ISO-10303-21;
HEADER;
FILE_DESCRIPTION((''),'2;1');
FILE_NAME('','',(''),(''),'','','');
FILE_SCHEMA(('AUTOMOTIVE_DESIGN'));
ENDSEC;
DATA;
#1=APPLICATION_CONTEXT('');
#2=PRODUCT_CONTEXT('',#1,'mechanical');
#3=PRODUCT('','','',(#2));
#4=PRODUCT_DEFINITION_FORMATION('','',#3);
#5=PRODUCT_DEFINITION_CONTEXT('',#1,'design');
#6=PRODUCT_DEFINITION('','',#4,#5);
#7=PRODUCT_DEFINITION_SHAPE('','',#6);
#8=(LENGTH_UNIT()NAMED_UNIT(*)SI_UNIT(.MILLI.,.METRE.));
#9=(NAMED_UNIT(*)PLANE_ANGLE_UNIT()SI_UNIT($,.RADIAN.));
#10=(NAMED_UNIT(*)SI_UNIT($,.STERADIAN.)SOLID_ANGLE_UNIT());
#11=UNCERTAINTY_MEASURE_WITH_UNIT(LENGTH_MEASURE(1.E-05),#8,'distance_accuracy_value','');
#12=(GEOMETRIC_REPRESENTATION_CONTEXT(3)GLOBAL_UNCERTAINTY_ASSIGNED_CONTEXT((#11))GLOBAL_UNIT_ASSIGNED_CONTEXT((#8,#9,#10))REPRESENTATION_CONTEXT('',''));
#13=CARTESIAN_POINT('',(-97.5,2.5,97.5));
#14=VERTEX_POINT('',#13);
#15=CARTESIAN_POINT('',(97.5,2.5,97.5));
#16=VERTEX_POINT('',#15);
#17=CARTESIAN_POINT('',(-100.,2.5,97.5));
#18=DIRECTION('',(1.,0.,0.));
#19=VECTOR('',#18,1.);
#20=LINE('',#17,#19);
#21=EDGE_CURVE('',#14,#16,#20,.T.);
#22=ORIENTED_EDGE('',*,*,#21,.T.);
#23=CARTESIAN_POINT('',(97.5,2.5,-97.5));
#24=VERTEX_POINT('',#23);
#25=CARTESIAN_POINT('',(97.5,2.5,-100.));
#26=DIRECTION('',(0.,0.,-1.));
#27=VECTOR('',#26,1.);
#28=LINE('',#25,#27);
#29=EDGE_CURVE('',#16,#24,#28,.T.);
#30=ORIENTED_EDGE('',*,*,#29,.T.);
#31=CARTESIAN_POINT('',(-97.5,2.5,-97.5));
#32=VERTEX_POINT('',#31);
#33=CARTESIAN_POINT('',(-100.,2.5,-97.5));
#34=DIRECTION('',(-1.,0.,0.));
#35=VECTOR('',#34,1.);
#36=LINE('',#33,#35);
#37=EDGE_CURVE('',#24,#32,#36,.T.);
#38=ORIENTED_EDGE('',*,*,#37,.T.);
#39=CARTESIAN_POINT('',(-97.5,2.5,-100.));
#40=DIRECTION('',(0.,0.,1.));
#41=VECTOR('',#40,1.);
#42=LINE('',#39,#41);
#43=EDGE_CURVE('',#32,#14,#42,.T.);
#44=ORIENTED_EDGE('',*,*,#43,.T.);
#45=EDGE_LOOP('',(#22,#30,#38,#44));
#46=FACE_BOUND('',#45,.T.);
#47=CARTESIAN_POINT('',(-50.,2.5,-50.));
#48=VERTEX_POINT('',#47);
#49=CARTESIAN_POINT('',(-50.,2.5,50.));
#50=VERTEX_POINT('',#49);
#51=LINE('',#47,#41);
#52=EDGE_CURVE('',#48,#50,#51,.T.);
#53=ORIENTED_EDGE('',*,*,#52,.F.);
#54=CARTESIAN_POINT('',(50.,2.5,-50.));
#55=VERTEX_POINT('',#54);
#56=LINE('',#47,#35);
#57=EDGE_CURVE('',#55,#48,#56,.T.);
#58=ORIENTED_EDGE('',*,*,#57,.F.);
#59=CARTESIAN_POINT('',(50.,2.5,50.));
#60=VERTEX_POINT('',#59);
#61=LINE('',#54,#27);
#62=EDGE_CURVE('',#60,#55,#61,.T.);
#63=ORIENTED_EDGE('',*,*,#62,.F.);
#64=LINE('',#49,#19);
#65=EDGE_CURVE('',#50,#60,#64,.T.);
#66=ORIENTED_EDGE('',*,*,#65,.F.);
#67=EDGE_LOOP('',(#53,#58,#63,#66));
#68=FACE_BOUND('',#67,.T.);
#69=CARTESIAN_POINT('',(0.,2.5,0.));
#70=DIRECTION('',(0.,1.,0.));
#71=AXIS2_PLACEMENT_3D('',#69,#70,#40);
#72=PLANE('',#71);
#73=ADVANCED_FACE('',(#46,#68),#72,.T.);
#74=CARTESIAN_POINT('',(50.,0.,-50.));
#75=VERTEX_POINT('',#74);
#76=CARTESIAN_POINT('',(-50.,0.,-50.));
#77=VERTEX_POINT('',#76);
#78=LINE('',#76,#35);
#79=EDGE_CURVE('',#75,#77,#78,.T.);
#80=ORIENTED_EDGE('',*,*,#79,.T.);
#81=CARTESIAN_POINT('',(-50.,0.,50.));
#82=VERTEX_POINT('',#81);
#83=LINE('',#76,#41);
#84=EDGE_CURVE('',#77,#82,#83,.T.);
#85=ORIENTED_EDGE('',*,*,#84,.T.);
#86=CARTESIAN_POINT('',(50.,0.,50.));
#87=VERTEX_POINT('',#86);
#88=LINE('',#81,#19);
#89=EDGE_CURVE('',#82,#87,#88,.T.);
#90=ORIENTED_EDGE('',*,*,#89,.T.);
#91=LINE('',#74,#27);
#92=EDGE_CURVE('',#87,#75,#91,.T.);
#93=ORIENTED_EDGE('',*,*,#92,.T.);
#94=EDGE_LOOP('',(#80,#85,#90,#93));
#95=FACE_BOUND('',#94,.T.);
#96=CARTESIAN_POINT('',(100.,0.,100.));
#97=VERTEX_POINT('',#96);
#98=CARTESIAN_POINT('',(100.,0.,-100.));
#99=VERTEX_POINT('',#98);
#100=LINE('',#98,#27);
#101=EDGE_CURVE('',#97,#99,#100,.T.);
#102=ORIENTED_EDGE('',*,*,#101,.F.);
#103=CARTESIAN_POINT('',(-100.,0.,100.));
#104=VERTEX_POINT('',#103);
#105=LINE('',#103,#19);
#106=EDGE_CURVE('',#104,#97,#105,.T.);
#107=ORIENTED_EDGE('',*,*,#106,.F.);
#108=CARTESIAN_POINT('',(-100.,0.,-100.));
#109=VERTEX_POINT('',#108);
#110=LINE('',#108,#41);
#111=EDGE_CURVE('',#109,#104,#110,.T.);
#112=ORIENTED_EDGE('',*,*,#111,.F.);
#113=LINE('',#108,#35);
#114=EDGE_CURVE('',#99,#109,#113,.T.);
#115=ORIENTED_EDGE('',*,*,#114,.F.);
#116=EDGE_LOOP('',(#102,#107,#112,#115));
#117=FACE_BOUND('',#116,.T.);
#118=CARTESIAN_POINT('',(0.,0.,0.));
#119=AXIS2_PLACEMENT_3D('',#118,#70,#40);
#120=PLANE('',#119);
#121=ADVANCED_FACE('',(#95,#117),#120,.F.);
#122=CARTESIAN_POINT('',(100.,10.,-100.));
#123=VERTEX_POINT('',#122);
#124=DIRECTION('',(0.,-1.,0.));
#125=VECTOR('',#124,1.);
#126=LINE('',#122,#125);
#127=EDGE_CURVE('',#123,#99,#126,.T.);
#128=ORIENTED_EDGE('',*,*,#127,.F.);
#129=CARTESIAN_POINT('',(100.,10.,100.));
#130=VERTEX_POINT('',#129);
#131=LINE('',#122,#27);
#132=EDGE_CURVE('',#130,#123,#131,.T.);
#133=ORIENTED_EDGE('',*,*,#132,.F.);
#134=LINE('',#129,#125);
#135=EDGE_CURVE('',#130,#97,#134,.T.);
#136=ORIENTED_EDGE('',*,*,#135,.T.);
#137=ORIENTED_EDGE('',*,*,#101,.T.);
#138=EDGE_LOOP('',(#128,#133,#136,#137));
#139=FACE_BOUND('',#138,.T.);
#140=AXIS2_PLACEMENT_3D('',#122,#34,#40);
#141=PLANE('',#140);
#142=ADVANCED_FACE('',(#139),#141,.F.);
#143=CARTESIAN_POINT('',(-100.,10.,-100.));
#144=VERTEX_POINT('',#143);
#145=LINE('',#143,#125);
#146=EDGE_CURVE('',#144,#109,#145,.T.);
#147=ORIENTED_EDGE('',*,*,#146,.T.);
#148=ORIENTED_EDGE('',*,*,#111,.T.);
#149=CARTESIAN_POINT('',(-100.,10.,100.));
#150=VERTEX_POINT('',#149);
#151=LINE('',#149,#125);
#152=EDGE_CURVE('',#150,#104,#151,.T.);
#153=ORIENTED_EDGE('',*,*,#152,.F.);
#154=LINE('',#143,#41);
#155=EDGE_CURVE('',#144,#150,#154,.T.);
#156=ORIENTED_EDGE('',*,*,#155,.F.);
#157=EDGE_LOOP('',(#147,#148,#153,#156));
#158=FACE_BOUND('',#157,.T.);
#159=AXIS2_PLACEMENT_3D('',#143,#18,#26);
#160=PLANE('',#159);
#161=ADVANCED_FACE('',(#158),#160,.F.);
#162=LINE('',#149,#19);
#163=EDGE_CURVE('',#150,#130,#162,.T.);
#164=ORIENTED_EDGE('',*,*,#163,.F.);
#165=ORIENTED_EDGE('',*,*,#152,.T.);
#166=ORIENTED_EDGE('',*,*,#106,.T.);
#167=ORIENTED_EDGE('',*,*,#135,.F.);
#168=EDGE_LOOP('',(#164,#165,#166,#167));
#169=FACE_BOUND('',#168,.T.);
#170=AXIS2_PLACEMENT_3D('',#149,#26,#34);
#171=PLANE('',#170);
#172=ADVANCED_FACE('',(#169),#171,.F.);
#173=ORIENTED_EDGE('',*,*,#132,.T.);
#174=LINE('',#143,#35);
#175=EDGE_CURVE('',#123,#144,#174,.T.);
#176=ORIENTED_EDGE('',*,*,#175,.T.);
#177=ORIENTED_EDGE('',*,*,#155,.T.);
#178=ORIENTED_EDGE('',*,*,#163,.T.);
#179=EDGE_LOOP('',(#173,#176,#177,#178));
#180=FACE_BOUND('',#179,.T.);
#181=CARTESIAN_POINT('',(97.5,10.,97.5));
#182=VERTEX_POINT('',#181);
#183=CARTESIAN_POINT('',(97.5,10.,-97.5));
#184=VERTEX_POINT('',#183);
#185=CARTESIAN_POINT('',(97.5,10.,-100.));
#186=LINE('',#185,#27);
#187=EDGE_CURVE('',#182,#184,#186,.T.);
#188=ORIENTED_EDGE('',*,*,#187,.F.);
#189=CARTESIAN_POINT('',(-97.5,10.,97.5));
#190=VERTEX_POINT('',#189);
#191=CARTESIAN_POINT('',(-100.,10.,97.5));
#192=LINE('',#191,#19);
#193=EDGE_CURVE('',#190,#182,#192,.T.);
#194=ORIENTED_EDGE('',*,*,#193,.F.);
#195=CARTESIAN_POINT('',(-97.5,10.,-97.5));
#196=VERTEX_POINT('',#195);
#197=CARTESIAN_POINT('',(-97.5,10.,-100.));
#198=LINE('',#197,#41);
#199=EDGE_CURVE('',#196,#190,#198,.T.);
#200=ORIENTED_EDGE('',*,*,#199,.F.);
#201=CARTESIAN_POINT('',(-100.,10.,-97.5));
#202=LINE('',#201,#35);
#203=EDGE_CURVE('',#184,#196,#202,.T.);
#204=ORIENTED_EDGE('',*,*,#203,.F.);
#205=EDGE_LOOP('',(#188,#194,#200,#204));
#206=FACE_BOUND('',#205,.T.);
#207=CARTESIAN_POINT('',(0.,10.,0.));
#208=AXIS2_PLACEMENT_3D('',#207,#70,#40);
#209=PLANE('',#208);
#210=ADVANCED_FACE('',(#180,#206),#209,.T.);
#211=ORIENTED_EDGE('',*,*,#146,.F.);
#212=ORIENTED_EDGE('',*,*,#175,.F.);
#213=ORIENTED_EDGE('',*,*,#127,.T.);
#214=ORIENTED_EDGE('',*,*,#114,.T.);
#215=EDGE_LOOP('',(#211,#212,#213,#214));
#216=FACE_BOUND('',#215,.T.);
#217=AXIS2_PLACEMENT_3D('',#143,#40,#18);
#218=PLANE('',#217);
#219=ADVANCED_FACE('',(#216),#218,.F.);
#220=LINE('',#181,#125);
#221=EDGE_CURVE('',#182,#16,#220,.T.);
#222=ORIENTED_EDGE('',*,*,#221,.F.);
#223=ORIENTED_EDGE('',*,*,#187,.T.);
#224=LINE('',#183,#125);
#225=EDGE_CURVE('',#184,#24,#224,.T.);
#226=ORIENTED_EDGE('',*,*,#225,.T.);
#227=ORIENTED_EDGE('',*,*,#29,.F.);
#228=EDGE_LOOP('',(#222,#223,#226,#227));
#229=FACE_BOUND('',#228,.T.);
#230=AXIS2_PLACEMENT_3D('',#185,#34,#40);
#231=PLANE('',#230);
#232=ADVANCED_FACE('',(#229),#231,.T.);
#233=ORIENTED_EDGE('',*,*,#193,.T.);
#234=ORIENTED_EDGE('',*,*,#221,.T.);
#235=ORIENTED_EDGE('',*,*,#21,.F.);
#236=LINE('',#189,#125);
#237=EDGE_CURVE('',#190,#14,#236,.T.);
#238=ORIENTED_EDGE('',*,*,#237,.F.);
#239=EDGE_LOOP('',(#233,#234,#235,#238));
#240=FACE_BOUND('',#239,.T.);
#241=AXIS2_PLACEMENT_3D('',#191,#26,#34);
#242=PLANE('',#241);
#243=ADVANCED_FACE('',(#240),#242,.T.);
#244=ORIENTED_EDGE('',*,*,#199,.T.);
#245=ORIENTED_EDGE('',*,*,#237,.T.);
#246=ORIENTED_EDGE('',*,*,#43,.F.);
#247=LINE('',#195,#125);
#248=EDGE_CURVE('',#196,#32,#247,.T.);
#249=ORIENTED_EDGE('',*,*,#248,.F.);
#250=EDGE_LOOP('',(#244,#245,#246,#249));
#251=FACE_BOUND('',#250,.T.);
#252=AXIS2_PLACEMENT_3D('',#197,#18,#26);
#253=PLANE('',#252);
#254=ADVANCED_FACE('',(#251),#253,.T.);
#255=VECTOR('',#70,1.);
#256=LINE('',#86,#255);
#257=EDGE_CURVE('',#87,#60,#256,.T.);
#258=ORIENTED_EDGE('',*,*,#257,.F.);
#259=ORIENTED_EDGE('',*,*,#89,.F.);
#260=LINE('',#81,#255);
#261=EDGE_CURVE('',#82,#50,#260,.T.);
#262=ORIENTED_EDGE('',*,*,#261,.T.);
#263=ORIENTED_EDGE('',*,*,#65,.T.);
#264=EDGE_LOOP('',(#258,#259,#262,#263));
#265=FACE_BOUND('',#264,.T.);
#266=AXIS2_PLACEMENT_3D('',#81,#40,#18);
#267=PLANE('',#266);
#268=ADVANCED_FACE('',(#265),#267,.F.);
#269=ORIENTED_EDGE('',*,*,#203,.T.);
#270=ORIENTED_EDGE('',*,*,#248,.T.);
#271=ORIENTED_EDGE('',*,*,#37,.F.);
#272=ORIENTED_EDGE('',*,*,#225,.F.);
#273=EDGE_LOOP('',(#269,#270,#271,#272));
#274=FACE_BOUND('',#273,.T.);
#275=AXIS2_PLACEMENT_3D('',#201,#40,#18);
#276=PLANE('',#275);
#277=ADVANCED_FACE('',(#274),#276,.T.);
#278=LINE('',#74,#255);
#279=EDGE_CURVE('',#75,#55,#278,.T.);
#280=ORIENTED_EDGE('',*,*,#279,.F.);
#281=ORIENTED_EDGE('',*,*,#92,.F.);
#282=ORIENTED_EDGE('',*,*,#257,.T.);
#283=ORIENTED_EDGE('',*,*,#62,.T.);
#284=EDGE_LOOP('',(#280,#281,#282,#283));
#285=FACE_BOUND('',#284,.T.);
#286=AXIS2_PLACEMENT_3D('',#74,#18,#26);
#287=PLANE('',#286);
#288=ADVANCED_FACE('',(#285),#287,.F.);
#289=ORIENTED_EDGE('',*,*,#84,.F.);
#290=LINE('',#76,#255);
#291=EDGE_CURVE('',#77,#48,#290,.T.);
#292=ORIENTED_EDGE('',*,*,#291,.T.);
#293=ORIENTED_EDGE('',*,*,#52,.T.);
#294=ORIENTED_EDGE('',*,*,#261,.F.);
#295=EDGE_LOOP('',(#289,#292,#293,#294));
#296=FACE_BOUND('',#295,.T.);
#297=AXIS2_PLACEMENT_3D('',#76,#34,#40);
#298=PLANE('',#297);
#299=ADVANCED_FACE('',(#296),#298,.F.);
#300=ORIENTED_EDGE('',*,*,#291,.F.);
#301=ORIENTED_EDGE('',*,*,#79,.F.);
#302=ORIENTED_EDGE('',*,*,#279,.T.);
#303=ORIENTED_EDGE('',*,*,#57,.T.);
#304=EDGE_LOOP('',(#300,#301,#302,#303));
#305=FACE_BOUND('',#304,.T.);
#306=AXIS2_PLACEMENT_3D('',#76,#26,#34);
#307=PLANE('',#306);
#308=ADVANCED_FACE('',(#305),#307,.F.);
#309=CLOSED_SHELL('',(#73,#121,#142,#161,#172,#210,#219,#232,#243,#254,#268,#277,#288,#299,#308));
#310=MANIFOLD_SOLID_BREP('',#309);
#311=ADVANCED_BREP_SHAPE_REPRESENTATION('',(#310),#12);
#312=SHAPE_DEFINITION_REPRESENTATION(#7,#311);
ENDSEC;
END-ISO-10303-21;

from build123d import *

# Parameters (mm, degrees)
SKETCH1_W           = 200
SKETCH1_H           = 200
BOSS_EXTRUDE1_DEPTH = 10
SHELL1_T            = -2.5
SKETCH2_W           = 100
SKETCH2_H           = 100
CUT_EXTRUDE1_DEPTH  = 142.620090383


with BuildPart() as part:
    # Sketch1 → Boss-Extrude1 (new body)
    with BuildSketch(Plane(origin=(0, 0, 0), x_dir=(1, 0, 0), z_dir=(0, 1, 0))):
        Rectangle(SKETCH1_W, SKETCH1_H)
    extrude(amount=BOSS_EXTRUDE1_DEPTH)

    # Shell1
    shell1_openings = [part.faces().sort_by_distance(p)[0] for p in [
        (0, 10, 0),
    ]]
    offset(amount=SHELL1_T, openings=shell1_openings, kind=Kind.INTERSECTION)

    # Sketch2 → Cut-Extrude1 (cut, through all)
    with BuildSketch(Plane(origin=(0, 2.5, 0), x_dir=(1, 0, 0), z_dir=(0, 1, 0))):
        Rectangle(SKETCH2_W, SKETCH2_H)
    extrude(amount=-CUT_EXTRUDE1_DEPTH, mode=Mode.SUBTRACT)


solid = part.part
